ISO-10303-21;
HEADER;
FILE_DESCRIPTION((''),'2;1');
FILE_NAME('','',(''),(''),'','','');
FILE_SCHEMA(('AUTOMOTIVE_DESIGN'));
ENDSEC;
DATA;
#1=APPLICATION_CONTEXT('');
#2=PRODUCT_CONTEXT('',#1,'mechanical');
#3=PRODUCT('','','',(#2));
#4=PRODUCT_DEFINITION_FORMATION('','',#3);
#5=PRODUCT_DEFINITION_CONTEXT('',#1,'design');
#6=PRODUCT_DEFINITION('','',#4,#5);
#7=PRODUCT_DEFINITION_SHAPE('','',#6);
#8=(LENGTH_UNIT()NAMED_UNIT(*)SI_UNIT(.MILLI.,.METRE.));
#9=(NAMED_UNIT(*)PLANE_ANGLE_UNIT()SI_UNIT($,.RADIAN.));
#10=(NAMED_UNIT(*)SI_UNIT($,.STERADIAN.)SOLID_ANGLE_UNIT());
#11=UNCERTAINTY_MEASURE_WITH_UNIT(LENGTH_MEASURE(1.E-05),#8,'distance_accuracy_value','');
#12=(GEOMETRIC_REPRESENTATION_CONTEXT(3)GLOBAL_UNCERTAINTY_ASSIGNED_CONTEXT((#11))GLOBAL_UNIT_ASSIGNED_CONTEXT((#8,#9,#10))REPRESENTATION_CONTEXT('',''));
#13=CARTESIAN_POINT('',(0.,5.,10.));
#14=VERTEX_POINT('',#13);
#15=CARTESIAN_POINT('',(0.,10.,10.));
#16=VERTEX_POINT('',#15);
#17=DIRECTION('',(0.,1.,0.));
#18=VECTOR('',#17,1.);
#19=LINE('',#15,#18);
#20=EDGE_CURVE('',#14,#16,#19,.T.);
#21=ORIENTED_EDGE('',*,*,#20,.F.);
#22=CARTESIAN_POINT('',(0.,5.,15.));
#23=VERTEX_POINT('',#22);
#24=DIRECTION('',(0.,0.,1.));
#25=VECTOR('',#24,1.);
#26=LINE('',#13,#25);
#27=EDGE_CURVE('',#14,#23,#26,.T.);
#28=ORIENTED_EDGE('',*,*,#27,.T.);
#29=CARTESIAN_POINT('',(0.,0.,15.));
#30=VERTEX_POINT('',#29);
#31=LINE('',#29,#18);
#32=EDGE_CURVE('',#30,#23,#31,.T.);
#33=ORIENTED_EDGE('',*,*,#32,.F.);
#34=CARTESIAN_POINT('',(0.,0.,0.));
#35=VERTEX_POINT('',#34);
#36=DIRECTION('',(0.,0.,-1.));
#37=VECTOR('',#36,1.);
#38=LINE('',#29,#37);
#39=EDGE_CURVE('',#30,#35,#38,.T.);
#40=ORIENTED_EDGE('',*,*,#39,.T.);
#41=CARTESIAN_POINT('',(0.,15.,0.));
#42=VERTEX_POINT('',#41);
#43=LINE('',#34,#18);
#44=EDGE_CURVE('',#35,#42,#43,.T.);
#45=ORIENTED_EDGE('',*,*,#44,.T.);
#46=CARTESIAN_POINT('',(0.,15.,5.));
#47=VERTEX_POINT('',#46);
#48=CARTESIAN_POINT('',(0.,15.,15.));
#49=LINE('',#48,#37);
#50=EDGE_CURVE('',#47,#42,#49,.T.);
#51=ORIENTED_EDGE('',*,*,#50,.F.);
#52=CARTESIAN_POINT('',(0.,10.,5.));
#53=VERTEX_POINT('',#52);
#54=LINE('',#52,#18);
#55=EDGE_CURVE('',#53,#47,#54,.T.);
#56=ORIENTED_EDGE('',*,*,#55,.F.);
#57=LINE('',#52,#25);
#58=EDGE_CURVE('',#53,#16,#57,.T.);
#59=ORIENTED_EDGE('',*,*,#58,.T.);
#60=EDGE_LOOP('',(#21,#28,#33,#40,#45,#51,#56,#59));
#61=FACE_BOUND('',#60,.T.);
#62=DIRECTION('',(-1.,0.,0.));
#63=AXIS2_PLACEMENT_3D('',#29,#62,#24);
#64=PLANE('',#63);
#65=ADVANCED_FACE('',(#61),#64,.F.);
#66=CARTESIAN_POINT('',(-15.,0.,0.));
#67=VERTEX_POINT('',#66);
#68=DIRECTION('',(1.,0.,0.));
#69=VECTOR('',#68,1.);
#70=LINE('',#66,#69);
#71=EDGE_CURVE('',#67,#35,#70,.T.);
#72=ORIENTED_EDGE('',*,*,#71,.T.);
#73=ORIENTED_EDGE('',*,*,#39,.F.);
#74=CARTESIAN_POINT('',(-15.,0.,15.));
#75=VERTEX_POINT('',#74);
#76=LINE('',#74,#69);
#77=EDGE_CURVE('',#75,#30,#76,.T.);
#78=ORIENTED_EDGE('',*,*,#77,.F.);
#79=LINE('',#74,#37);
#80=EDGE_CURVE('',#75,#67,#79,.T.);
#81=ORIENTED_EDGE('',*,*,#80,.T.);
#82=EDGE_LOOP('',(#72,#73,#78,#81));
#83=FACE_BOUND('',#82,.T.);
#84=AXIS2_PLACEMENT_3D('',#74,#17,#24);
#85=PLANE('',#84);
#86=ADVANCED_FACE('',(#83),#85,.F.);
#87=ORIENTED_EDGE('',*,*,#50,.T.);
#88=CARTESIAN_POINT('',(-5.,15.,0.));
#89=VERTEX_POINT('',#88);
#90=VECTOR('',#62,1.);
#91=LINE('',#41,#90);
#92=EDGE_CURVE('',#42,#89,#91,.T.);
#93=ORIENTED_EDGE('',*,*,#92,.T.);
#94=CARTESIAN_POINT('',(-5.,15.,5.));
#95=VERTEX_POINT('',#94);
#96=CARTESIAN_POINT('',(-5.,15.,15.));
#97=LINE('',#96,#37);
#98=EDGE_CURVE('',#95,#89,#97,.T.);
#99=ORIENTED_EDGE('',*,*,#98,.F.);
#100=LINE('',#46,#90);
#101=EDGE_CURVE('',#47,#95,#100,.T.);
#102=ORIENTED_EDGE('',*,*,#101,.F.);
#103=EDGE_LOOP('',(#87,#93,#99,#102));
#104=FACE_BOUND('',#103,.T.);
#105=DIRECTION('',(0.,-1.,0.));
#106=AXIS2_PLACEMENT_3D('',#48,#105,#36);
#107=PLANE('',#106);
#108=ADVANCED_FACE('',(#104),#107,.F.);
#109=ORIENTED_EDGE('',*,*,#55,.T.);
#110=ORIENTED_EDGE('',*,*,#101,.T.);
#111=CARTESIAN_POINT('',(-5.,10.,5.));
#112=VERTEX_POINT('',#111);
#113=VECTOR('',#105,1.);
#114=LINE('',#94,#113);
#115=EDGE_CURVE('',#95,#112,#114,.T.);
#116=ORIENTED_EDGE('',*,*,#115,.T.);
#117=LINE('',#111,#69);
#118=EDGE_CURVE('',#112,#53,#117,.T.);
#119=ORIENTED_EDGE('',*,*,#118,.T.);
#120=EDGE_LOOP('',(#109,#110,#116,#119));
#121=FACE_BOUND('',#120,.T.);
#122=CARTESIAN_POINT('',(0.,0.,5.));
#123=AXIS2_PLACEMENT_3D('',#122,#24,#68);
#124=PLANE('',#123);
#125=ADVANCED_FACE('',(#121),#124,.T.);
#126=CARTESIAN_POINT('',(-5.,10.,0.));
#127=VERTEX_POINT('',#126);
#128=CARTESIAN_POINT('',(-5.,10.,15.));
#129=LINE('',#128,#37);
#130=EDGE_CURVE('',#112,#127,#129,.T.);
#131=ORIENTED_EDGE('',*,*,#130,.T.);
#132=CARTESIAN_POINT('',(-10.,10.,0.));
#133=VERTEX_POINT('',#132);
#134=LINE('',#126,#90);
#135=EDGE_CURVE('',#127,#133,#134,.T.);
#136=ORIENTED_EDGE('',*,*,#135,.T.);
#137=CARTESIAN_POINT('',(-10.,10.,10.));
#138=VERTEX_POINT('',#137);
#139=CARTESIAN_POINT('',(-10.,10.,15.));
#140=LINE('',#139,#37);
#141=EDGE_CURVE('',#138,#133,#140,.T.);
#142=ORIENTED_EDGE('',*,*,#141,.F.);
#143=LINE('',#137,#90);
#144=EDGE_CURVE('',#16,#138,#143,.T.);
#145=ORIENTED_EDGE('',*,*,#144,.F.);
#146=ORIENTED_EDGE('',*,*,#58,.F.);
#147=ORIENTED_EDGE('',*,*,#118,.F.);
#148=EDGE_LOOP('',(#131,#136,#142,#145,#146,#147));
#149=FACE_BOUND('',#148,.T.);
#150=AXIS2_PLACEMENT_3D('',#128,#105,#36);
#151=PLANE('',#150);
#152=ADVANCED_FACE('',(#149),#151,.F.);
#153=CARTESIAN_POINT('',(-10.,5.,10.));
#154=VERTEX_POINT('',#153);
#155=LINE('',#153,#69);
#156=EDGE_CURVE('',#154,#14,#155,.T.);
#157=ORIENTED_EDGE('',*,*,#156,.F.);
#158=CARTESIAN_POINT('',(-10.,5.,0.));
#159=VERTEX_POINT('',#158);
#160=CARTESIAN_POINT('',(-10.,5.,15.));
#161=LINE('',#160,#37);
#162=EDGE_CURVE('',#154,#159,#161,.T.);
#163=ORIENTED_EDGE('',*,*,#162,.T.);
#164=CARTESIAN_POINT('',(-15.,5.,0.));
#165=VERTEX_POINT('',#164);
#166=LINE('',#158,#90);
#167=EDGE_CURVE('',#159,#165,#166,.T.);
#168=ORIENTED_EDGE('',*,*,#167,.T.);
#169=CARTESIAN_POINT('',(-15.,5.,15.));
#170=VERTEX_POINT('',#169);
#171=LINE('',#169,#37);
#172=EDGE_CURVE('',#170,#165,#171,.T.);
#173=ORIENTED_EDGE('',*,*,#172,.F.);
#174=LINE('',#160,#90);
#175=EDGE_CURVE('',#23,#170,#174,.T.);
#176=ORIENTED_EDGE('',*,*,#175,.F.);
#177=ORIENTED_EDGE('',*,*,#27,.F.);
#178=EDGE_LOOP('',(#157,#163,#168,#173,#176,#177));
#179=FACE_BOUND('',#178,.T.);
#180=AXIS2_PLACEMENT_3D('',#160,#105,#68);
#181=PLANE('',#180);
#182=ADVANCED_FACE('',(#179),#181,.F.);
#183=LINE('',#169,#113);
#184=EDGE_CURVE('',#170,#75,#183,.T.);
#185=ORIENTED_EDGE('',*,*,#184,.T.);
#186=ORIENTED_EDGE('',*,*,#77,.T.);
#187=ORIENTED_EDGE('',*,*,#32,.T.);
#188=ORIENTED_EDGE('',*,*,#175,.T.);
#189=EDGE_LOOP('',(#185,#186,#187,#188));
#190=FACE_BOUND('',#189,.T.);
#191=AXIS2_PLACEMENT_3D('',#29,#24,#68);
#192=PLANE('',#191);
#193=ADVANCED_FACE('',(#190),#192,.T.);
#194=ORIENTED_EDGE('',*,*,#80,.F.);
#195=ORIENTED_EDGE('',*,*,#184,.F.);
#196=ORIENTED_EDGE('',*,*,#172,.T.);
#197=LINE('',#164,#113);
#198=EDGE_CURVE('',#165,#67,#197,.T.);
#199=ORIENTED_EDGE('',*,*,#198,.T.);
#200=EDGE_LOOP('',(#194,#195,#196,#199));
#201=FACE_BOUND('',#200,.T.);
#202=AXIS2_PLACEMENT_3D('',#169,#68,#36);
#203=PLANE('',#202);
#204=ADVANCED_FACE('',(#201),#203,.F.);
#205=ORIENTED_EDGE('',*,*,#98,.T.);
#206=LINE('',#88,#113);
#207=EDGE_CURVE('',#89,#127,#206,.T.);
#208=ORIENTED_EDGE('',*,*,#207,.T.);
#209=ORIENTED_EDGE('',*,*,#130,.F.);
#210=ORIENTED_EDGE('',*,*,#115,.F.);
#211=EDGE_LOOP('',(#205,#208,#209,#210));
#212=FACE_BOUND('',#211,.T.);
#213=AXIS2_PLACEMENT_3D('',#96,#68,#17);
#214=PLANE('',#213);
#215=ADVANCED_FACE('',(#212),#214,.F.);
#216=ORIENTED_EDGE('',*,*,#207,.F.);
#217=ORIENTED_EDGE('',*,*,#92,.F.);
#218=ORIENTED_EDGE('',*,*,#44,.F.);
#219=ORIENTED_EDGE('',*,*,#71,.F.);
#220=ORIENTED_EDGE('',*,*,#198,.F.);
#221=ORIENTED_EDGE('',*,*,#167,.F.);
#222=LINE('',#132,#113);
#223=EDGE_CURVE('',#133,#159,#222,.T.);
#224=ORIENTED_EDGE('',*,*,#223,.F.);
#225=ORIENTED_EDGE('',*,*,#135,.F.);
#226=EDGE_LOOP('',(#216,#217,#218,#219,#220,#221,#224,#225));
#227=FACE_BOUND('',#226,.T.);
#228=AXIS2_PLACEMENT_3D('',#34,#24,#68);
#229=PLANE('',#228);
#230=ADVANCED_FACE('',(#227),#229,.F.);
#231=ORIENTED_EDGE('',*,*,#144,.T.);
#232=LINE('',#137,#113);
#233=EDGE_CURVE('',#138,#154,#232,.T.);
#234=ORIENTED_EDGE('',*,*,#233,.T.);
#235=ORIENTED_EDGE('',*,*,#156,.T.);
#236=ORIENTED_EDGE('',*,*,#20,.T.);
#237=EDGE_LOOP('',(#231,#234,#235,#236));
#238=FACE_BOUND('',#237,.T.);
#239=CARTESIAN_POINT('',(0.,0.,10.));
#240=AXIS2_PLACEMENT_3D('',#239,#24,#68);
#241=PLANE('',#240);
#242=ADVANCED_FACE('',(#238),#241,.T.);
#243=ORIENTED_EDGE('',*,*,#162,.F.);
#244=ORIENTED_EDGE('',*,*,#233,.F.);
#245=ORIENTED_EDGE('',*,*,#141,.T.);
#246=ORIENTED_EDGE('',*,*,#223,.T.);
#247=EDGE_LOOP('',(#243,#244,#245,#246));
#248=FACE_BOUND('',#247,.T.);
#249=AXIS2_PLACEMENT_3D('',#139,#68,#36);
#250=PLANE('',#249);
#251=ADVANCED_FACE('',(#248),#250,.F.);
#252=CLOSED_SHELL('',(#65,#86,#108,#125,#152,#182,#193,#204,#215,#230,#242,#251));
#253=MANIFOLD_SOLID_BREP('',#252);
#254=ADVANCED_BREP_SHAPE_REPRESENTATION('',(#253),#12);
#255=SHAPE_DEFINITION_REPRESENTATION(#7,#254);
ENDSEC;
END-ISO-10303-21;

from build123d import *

# Parameters (mm, degrees)
BOSS_EXTRUDE1_DEPTH = 15
SKETCH2_W           = 10
SKETCH2_H           = 5
CUT_EXTRUDE1_DEPTH  = 5
SKETCH3_W           = 5
SKETCH3_H           = 5
CUT_EXTRUDE2_DEPTH  = 10


with BuildPart() as part:
    # Sketch1 → Boss-Extrude1 (new body)
    with BuildSketch(Plane.XY):
        Polygon((0, 0), (0, 15), (-5, 15), (-5, 10), (-10, 10), (-10, 5), (-15, 5), (-15, 0), align=None)
    extrude(amount=BOSS_EXTRUDE1_DEPTH)

    # Sketch2 → Cut-Extrude1 (cut)
    with BuildSketch(Plane.XY.offset(15)):
        with Locations((-5, 7.5)):
            Rectangle(SKETCH2_W, SKETCH2_H)
    extrude(amount=-CUT_EXTRUDE1_DEPTH, mode=Mode.SUBTRACT)

    # Sketch3 → Cut-Extrude2 (cut)
    with BuildSketch(Plane.XY.offset(15)):
        with Locations((-2.5, 12.5)):
            Rectangle(SKETCH3_W, SKETCH3_H)
    extrude(amount=-CUT_EXTRUDE2_DEPTH, mode=Mode.SUBTRACT)


solid = part.part
